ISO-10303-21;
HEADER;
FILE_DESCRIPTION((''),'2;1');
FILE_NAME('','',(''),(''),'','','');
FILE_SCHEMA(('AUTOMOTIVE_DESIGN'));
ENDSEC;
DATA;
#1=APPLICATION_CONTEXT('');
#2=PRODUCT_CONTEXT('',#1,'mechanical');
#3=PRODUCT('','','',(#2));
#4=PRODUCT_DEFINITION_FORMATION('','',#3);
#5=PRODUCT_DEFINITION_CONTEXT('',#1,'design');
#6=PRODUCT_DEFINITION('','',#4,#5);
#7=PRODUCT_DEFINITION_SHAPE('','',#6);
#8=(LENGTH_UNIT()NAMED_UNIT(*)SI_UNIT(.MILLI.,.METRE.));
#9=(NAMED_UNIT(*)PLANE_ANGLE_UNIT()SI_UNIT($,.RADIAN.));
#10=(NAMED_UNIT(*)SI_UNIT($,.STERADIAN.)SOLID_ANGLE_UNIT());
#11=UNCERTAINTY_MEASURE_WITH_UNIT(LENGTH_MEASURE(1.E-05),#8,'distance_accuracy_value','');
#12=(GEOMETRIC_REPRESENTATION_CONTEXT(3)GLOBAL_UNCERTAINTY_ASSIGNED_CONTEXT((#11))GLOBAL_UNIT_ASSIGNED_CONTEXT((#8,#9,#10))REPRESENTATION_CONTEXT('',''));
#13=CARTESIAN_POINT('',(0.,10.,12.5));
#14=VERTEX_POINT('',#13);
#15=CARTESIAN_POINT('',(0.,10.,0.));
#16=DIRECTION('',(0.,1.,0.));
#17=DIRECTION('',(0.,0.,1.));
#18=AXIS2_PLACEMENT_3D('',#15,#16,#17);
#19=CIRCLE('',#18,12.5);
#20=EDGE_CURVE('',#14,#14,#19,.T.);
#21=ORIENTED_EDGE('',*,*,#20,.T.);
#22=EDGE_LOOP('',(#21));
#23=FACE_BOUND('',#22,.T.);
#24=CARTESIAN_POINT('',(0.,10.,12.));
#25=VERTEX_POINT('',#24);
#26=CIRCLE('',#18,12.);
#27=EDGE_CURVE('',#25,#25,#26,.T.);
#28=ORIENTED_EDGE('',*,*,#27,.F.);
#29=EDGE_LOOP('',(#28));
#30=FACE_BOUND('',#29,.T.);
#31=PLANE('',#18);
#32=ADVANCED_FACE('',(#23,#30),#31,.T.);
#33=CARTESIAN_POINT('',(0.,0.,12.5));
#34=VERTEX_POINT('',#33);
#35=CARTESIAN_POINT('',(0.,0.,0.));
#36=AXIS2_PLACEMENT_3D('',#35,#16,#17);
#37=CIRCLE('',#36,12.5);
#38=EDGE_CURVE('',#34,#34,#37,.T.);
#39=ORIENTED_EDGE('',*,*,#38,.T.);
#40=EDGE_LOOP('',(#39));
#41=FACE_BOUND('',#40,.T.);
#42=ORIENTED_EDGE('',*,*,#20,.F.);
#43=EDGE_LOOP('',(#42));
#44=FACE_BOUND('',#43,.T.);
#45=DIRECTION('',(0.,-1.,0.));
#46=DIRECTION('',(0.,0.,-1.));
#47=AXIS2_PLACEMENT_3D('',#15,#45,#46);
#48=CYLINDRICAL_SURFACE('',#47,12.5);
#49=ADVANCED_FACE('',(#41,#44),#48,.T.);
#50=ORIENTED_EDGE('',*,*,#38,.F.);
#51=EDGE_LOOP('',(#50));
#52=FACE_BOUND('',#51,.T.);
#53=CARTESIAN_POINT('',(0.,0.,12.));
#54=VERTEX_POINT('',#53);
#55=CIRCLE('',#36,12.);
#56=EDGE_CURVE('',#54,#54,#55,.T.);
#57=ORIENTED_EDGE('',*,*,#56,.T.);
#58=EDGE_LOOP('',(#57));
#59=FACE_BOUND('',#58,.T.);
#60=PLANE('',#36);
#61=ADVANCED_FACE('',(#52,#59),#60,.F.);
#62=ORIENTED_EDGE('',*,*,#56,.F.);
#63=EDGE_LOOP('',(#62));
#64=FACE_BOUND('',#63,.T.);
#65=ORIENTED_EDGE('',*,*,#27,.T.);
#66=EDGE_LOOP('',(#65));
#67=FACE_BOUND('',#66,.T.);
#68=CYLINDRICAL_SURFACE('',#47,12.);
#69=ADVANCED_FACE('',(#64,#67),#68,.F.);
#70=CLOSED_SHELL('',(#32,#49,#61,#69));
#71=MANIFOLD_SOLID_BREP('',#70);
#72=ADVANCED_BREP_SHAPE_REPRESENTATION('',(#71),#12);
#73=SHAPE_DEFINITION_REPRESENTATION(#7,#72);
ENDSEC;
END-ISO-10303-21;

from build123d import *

# Parameters (mm, degrees)
SKETCH_1_R      = 12.5
SKETCH_1_R_2    = 12
EXTRUDE_1_DEPTH = 10


with BuildPart() as part:
    # 草图1 → 凸台-拉伸1 (new body)
    with BuildSketch(Plane(origin=(0, 0, 0), x_dir=(1, 0, 0), z_dir=(0, 1, 0))):
        with Locations(Location((0, 0, 0), (0, 0, 270))):
            Circle(SKETCH_1_R)
        with Locations(Location((0, 0, 0), (0, 0, 270))):
            Circle(SKETCH_1_R_2, mode=Mode.SUBTRACT)
    extrude(amount=EXTRUDE_1_DEPTH)


solid = part.part
